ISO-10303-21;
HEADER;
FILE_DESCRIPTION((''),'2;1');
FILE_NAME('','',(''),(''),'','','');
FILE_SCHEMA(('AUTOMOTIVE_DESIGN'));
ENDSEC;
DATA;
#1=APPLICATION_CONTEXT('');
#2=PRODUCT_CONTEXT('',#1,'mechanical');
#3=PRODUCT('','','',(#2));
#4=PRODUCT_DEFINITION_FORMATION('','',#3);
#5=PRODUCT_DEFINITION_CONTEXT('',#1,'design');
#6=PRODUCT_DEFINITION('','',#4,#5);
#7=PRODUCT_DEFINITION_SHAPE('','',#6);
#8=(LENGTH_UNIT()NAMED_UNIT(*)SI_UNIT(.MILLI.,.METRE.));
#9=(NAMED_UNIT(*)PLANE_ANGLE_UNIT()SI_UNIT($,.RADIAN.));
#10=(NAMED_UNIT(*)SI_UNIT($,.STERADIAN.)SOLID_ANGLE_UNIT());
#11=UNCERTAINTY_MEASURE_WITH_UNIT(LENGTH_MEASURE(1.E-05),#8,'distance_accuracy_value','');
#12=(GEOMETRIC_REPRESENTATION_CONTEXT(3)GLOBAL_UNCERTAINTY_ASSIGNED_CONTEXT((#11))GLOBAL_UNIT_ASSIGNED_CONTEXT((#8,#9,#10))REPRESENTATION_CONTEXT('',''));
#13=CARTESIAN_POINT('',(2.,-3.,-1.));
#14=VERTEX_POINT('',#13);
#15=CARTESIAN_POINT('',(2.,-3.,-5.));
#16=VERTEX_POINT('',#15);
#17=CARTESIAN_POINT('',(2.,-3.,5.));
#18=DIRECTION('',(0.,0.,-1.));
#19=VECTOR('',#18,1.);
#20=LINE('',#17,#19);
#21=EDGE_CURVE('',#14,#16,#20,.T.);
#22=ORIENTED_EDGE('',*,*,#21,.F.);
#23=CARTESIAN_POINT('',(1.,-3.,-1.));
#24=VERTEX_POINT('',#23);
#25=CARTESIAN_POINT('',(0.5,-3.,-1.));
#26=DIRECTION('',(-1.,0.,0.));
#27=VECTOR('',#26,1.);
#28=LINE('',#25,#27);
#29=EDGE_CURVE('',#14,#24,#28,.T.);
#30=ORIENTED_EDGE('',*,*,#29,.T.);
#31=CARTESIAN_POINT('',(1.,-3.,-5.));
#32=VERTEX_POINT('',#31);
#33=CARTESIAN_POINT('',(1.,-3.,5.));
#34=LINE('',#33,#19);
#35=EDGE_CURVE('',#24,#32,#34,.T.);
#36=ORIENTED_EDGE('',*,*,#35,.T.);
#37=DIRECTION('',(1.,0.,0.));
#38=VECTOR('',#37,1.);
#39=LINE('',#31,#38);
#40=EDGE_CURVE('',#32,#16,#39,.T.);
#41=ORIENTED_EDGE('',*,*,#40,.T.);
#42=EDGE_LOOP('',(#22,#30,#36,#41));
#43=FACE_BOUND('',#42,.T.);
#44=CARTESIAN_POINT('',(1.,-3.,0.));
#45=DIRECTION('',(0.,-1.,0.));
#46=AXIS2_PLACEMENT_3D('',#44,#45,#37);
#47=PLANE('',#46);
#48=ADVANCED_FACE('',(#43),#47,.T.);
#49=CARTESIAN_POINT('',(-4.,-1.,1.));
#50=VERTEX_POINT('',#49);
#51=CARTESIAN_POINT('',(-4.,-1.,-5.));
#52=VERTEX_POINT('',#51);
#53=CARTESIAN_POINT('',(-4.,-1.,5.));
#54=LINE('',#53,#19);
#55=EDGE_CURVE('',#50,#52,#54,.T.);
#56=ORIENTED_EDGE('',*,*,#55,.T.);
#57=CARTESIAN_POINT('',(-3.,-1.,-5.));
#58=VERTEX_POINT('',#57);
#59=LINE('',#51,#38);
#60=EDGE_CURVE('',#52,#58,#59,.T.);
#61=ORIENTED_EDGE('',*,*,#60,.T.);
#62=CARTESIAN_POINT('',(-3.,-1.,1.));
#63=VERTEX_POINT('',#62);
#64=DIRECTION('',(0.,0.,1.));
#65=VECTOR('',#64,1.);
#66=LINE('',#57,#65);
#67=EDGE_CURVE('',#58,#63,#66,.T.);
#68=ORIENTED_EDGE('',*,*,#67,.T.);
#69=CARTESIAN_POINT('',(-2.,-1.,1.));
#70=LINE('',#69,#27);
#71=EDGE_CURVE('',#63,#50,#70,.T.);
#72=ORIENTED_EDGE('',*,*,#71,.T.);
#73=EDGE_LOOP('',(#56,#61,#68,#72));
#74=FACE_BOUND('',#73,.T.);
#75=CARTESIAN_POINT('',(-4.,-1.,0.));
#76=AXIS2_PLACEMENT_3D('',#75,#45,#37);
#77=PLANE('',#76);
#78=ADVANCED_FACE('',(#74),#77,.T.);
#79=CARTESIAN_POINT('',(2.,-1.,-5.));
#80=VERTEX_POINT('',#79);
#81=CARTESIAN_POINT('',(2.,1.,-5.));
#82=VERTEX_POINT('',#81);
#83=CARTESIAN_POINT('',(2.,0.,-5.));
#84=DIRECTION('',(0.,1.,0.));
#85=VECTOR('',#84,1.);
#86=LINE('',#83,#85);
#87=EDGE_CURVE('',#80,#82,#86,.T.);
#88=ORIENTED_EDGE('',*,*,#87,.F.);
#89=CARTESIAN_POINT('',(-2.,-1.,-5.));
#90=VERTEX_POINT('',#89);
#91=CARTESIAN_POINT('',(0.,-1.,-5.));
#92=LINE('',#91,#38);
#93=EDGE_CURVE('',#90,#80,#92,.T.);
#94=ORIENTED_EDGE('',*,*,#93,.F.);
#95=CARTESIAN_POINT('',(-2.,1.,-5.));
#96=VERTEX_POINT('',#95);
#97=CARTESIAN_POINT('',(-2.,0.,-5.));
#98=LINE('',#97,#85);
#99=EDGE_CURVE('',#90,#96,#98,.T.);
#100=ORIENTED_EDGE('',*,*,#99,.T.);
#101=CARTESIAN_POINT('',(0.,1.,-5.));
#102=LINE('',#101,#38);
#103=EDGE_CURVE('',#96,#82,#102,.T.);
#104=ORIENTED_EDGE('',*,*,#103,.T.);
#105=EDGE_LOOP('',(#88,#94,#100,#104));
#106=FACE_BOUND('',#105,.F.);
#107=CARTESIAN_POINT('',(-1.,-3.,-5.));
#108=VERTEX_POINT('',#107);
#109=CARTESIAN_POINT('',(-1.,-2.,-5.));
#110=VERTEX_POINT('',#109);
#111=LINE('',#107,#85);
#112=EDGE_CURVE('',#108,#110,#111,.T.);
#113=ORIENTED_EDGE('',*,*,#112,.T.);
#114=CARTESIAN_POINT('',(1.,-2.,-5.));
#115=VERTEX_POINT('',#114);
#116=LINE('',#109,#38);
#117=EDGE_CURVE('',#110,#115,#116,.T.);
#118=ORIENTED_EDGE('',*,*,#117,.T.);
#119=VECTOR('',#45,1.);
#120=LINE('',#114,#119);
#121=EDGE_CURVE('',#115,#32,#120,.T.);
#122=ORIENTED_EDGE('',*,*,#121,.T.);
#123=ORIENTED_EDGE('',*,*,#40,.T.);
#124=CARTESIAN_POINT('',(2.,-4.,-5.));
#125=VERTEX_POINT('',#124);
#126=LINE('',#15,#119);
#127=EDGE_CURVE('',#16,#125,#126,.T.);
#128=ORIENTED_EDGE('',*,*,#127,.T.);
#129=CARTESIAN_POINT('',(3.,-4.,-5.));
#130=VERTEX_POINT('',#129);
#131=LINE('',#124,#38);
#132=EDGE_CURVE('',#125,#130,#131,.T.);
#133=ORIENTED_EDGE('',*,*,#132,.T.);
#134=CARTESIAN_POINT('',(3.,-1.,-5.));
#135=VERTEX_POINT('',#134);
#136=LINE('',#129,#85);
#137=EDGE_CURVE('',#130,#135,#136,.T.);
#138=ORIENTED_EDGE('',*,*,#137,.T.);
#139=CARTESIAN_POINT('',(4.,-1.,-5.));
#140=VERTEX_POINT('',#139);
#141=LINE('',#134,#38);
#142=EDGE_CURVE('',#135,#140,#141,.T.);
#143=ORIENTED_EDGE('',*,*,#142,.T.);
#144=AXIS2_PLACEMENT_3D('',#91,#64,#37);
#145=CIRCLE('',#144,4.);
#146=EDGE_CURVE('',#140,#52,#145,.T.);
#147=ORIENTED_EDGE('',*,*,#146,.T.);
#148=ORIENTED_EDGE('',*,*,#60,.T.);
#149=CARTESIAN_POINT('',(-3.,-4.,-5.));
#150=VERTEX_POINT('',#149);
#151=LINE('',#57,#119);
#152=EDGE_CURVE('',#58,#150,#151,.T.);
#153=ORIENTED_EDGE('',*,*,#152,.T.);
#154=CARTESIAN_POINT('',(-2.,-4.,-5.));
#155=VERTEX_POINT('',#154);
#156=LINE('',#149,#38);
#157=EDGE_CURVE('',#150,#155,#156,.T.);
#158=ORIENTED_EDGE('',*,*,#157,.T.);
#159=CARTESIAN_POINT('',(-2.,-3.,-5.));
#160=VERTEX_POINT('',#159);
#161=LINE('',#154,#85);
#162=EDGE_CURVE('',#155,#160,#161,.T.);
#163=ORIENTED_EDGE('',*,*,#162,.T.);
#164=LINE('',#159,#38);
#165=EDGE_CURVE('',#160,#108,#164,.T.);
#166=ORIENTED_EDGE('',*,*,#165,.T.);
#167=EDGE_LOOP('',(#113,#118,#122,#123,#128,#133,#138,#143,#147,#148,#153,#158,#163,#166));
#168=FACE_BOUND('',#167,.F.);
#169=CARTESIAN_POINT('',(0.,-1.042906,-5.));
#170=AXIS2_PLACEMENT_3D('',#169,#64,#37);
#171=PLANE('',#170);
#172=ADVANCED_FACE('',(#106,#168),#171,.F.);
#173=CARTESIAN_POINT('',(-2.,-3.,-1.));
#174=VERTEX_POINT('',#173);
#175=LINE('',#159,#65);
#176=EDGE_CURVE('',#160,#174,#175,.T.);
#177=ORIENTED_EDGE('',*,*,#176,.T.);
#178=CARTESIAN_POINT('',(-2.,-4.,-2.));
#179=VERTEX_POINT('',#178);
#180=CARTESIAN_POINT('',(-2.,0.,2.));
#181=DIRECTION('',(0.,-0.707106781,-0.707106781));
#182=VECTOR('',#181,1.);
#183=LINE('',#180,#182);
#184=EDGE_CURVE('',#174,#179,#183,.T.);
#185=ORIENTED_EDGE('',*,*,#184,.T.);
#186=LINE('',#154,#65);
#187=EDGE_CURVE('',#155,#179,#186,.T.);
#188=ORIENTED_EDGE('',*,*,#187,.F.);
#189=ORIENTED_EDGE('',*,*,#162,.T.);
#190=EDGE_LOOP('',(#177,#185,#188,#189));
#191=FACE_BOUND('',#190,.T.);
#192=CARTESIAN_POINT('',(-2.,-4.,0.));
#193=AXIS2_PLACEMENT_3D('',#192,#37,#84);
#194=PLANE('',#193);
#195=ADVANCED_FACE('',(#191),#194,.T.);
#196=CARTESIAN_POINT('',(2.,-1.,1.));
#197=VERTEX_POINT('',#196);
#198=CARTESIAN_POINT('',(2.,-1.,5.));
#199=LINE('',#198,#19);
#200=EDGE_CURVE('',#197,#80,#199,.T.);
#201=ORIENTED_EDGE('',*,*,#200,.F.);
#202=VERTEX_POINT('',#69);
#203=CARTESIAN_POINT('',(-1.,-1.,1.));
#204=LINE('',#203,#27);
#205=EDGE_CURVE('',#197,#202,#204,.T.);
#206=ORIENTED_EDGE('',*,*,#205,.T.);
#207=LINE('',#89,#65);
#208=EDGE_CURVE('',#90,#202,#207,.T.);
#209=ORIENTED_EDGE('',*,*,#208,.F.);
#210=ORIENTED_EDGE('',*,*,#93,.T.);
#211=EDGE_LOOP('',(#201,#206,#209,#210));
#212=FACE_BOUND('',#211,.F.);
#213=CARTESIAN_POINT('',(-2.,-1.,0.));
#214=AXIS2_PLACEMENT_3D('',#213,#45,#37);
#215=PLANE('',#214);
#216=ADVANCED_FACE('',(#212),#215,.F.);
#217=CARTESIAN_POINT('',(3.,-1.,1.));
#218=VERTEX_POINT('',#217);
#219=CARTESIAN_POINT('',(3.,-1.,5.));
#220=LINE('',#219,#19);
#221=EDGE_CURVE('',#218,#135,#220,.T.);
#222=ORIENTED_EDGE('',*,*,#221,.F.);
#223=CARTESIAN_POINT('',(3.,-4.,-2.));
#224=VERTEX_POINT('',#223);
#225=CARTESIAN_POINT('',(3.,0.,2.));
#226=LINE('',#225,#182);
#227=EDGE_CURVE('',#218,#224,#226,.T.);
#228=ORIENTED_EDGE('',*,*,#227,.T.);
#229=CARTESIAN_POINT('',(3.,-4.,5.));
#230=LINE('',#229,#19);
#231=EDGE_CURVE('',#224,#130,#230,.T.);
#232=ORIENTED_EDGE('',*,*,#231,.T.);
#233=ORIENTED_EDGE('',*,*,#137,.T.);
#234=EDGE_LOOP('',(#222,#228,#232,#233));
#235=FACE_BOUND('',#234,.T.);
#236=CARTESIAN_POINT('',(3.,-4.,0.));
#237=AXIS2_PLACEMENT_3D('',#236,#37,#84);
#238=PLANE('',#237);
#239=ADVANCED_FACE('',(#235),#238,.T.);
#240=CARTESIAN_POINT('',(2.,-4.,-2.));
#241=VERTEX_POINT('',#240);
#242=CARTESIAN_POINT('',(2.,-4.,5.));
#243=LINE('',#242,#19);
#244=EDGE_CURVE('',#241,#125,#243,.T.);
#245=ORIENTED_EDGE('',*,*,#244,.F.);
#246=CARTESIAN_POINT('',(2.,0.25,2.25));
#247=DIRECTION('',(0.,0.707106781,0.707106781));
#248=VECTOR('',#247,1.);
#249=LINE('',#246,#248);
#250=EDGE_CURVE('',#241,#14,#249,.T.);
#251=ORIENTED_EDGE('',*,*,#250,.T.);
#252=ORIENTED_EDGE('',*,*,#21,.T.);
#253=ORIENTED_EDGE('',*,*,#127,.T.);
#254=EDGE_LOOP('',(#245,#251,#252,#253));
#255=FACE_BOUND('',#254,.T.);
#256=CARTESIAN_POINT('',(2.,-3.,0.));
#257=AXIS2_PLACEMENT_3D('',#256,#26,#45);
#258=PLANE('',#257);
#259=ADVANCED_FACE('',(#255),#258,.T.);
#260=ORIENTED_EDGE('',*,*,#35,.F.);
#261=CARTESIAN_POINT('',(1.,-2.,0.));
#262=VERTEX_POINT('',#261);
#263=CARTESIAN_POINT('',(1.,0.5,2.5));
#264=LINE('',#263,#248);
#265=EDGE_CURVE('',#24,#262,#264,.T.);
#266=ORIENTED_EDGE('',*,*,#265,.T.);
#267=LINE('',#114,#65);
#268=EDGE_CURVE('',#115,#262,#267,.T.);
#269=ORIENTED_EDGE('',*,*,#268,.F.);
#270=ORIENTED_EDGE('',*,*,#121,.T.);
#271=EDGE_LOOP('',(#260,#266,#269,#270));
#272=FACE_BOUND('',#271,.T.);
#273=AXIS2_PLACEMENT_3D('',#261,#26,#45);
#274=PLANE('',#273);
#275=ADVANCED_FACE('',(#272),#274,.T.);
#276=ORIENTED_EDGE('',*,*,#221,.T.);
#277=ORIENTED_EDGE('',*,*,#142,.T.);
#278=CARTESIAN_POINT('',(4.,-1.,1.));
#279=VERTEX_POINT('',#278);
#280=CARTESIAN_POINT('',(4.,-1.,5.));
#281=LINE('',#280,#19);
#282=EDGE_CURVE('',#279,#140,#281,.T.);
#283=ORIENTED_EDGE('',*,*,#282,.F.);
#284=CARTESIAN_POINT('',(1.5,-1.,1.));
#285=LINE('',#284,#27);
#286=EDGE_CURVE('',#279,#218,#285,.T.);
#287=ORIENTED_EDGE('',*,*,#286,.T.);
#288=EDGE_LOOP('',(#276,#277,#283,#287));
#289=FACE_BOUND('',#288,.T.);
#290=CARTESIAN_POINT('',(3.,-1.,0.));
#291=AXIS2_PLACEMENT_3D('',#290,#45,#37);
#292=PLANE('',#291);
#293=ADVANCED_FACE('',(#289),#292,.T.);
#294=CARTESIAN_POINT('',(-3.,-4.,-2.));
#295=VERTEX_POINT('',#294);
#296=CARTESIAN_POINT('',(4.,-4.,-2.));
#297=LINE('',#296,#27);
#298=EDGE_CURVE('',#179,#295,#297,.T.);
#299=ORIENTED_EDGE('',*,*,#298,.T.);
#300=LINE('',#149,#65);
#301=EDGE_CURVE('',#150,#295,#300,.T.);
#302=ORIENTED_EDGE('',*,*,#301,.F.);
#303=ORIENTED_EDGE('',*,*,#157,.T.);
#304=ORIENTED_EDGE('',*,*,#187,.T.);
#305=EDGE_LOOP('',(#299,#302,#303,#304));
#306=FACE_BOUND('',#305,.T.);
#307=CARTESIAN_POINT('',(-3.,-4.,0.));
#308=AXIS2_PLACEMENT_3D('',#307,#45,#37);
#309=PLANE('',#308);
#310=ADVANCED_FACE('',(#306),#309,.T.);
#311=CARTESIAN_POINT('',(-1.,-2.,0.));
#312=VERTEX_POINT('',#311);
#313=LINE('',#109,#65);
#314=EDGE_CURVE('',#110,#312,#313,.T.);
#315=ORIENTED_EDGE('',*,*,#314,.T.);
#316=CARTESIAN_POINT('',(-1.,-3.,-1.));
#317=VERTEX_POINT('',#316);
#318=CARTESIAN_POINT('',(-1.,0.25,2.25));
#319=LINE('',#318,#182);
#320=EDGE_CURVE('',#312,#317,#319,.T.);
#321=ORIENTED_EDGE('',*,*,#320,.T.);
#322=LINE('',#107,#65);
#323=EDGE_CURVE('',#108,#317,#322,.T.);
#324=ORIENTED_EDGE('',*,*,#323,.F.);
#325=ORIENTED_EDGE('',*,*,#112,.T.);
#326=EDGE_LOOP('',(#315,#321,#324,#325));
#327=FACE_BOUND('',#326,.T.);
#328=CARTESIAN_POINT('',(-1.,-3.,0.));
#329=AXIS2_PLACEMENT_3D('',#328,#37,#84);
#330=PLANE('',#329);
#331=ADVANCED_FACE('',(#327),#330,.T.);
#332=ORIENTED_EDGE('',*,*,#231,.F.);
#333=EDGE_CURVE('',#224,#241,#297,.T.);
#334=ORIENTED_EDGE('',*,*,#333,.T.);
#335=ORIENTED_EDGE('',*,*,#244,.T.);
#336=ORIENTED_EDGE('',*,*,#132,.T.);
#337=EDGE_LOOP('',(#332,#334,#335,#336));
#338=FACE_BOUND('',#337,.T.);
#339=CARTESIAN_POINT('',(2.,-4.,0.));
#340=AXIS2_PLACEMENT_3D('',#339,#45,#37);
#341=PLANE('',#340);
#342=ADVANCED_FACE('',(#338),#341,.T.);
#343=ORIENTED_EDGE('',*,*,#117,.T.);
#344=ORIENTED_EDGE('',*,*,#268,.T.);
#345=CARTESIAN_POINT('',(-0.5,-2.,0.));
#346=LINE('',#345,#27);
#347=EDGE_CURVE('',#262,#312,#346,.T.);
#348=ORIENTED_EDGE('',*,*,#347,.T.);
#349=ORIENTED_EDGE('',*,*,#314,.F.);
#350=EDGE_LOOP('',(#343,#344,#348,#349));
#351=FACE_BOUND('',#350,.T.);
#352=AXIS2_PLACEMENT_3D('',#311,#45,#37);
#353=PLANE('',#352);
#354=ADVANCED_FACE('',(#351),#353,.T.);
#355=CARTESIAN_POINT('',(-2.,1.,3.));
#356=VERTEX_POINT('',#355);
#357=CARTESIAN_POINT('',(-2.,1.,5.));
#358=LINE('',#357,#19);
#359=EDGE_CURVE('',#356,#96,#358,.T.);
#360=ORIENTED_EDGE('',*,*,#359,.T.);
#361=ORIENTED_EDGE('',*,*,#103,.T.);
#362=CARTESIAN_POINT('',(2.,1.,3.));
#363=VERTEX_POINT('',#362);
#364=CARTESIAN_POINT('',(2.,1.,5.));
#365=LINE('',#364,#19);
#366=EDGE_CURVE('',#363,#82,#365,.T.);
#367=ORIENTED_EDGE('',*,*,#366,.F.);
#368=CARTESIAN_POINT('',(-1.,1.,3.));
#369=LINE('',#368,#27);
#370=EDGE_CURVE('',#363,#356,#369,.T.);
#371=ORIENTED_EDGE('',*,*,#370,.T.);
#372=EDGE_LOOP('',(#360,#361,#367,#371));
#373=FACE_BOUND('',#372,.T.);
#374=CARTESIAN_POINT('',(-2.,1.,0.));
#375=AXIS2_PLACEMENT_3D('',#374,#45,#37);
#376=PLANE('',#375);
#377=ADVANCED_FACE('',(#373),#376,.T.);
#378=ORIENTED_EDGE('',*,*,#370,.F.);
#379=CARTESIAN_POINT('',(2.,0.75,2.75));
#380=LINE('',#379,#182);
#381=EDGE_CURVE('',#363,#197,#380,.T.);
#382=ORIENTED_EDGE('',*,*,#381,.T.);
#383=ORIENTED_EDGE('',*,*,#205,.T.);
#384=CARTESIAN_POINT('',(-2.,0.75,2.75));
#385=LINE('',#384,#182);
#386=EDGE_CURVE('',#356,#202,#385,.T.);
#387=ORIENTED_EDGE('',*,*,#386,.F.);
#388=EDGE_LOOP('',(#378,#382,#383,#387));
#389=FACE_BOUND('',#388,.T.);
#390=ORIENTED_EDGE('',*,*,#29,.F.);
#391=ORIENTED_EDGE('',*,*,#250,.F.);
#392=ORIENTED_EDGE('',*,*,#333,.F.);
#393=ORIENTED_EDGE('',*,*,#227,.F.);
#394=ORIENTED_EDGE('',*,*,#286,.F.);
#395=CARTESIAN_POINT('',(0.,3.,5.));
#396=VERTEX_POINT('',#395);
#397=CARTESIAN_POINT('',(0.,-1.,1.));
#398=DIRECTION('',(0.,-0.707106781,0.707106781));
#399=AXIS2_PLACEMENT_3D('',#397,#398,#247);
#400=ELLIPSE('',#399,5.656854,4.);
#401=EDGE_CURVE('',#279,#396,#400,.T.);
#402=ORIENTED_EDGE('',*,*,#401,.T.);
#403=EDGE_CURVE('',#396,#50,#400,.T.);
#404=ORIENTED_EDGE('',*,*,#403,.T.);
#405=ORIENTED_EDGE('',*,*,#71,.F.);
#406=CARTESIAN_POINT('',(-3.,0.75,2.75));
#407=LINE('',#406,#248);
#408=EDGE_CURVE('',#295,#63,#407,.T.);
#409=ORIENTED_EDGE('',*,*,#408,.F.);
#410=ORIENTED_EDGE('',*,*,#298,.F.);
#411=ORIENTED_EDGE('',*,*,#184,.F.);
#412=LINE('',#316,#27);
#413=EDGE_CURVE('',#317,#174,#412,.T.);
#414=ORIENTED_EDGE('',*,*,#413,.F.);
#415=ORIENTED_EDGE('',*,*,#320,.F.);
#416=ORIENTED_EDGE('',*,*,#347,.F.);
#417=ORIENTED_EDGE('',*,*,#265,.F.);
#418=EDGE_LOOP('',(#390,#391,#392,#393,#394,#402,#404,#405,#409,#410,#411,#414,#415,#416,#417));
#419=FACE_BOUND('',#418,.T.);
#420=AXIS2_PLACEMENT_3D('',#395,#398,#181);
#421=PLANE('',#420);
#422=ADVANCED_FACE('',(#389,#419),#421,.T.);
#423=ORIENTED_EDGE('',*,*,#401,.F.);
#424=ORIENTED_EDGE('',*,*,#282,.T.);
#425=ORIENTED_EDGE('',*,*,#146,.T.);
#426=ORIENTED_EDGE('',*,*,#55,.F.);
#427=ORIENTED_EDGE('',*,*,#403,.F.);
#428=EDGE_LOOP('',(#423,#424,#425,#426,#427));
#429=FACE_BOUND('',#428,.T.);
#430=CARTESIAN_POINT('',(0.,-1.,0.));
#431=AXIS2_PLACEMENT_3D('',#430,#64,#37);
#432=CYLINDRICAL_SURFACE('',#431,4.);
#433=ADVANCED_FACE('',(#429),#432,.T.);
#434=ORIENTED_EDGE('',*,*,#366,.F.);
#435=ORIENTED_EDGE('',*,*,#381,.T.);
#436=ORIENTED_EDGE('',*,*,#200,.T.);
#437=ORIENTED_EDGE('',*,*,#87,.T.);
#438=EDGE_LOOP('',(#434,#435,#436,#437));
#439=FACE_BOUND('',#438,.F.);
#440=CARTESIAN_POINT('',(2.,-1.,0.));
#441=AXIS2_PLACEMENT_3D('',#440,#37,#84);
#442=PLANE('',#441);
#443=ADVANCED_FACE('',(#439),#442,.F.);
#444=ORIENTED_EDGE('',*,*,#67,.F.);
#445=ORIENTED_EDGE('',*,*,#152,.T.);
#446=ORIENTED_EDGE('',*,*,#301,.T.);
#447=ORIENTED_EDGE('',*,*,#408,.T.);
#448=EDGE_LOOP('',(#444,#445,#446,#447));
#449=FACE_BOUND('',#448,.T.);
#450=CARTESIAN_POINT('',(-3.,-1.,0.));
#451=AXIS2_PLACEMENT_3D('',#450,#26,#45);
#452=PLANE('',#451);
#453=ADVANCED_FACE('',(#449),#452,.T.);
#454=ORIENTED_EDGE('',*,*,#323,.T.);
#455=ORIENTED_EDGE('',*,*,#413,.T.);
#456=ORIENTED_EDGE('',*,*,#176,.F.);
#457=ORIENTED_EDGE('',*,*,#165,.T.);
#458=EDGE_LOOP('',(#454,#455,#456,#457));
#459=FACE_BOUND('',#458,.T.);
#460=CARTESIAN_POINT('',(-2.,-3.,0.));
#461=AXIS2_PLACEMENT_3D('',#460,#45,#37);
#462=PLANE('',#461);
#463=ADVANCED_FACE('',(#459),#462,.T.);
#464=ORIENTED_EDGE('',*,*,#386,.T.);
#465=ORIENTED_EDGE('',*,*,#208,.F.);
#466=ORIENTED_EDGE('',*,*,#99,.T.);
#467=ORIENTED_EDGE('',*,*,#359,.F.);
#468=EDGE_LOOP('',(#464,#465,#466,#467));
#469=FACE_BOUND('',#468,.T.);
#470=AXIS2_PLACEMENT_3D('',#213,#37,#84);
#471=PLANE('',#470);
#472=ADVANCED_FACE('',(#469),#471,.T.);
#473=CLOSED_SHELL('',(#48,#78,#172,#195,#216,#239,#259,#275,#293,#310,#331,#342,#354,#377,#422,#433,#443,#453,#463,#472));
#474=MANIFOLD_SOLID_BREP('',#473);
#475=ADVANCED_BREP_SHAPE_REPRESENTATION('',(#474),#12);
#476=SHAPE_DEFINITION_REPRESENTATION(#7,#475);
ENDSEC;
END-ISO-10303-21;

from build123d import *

# Parameters (mm, degrees)
SKETCH2_W           = 4
SKETCH2_H           = 2
BOSS_EXTRUDE1_DEPTH = 5
CUT_EXTRUDE1_DEPTH  = 4


with BuildPart() as part:
    # Sketch2 → Boss-Extrude1 (new body, symmetric)
    with BuildSketch(Plane.XY):
        with BuildLine():
            Line((-4, -1), (-3, -1))
            Line((-3, -1), (-3, -4))
            Line((-3, -4), (-2, -4))
            Line((-2, -4), (-2, -3))
            Line((-2, -3), (-1, -3))
            Line((-1, -3), (-1, -2))
            Line((-1, -2), (1, -2))
            Line((1, -2), (1, -3))
            Line((1, -3), (2, -3))
            Line((2, -3), (2, -4))
            Line((2, -4), (3, -4))
            Line((3, -4), (3, -1))
            Line((3, -1), (4, -1))
            ThreePointArc((4, -1), (0, 3), (-4, -1))
        make_face()
        Rectangle(SKETCH2_W, SKETCH2_H, mode=Mode.SUBTRACT)
    extrude(amount=BOSS_EXTRUDE1_DEPTH, both=True)

    # Sketch3 → Cut-Extrude1 (cut, symmetric)
    with BuildSketch(Plane(origin=(0, 0, 0), x_dir=(0, 0, -1), z_dir=(1, 0, 0))):
        Polygon((-5, 3), (2, -4), (-5, -4), align=None)
    extrude(amount=CUT_EXTRUDE1_DEPTH, both=True, mode=Mode.SUBTRACT)


solid = part.part
